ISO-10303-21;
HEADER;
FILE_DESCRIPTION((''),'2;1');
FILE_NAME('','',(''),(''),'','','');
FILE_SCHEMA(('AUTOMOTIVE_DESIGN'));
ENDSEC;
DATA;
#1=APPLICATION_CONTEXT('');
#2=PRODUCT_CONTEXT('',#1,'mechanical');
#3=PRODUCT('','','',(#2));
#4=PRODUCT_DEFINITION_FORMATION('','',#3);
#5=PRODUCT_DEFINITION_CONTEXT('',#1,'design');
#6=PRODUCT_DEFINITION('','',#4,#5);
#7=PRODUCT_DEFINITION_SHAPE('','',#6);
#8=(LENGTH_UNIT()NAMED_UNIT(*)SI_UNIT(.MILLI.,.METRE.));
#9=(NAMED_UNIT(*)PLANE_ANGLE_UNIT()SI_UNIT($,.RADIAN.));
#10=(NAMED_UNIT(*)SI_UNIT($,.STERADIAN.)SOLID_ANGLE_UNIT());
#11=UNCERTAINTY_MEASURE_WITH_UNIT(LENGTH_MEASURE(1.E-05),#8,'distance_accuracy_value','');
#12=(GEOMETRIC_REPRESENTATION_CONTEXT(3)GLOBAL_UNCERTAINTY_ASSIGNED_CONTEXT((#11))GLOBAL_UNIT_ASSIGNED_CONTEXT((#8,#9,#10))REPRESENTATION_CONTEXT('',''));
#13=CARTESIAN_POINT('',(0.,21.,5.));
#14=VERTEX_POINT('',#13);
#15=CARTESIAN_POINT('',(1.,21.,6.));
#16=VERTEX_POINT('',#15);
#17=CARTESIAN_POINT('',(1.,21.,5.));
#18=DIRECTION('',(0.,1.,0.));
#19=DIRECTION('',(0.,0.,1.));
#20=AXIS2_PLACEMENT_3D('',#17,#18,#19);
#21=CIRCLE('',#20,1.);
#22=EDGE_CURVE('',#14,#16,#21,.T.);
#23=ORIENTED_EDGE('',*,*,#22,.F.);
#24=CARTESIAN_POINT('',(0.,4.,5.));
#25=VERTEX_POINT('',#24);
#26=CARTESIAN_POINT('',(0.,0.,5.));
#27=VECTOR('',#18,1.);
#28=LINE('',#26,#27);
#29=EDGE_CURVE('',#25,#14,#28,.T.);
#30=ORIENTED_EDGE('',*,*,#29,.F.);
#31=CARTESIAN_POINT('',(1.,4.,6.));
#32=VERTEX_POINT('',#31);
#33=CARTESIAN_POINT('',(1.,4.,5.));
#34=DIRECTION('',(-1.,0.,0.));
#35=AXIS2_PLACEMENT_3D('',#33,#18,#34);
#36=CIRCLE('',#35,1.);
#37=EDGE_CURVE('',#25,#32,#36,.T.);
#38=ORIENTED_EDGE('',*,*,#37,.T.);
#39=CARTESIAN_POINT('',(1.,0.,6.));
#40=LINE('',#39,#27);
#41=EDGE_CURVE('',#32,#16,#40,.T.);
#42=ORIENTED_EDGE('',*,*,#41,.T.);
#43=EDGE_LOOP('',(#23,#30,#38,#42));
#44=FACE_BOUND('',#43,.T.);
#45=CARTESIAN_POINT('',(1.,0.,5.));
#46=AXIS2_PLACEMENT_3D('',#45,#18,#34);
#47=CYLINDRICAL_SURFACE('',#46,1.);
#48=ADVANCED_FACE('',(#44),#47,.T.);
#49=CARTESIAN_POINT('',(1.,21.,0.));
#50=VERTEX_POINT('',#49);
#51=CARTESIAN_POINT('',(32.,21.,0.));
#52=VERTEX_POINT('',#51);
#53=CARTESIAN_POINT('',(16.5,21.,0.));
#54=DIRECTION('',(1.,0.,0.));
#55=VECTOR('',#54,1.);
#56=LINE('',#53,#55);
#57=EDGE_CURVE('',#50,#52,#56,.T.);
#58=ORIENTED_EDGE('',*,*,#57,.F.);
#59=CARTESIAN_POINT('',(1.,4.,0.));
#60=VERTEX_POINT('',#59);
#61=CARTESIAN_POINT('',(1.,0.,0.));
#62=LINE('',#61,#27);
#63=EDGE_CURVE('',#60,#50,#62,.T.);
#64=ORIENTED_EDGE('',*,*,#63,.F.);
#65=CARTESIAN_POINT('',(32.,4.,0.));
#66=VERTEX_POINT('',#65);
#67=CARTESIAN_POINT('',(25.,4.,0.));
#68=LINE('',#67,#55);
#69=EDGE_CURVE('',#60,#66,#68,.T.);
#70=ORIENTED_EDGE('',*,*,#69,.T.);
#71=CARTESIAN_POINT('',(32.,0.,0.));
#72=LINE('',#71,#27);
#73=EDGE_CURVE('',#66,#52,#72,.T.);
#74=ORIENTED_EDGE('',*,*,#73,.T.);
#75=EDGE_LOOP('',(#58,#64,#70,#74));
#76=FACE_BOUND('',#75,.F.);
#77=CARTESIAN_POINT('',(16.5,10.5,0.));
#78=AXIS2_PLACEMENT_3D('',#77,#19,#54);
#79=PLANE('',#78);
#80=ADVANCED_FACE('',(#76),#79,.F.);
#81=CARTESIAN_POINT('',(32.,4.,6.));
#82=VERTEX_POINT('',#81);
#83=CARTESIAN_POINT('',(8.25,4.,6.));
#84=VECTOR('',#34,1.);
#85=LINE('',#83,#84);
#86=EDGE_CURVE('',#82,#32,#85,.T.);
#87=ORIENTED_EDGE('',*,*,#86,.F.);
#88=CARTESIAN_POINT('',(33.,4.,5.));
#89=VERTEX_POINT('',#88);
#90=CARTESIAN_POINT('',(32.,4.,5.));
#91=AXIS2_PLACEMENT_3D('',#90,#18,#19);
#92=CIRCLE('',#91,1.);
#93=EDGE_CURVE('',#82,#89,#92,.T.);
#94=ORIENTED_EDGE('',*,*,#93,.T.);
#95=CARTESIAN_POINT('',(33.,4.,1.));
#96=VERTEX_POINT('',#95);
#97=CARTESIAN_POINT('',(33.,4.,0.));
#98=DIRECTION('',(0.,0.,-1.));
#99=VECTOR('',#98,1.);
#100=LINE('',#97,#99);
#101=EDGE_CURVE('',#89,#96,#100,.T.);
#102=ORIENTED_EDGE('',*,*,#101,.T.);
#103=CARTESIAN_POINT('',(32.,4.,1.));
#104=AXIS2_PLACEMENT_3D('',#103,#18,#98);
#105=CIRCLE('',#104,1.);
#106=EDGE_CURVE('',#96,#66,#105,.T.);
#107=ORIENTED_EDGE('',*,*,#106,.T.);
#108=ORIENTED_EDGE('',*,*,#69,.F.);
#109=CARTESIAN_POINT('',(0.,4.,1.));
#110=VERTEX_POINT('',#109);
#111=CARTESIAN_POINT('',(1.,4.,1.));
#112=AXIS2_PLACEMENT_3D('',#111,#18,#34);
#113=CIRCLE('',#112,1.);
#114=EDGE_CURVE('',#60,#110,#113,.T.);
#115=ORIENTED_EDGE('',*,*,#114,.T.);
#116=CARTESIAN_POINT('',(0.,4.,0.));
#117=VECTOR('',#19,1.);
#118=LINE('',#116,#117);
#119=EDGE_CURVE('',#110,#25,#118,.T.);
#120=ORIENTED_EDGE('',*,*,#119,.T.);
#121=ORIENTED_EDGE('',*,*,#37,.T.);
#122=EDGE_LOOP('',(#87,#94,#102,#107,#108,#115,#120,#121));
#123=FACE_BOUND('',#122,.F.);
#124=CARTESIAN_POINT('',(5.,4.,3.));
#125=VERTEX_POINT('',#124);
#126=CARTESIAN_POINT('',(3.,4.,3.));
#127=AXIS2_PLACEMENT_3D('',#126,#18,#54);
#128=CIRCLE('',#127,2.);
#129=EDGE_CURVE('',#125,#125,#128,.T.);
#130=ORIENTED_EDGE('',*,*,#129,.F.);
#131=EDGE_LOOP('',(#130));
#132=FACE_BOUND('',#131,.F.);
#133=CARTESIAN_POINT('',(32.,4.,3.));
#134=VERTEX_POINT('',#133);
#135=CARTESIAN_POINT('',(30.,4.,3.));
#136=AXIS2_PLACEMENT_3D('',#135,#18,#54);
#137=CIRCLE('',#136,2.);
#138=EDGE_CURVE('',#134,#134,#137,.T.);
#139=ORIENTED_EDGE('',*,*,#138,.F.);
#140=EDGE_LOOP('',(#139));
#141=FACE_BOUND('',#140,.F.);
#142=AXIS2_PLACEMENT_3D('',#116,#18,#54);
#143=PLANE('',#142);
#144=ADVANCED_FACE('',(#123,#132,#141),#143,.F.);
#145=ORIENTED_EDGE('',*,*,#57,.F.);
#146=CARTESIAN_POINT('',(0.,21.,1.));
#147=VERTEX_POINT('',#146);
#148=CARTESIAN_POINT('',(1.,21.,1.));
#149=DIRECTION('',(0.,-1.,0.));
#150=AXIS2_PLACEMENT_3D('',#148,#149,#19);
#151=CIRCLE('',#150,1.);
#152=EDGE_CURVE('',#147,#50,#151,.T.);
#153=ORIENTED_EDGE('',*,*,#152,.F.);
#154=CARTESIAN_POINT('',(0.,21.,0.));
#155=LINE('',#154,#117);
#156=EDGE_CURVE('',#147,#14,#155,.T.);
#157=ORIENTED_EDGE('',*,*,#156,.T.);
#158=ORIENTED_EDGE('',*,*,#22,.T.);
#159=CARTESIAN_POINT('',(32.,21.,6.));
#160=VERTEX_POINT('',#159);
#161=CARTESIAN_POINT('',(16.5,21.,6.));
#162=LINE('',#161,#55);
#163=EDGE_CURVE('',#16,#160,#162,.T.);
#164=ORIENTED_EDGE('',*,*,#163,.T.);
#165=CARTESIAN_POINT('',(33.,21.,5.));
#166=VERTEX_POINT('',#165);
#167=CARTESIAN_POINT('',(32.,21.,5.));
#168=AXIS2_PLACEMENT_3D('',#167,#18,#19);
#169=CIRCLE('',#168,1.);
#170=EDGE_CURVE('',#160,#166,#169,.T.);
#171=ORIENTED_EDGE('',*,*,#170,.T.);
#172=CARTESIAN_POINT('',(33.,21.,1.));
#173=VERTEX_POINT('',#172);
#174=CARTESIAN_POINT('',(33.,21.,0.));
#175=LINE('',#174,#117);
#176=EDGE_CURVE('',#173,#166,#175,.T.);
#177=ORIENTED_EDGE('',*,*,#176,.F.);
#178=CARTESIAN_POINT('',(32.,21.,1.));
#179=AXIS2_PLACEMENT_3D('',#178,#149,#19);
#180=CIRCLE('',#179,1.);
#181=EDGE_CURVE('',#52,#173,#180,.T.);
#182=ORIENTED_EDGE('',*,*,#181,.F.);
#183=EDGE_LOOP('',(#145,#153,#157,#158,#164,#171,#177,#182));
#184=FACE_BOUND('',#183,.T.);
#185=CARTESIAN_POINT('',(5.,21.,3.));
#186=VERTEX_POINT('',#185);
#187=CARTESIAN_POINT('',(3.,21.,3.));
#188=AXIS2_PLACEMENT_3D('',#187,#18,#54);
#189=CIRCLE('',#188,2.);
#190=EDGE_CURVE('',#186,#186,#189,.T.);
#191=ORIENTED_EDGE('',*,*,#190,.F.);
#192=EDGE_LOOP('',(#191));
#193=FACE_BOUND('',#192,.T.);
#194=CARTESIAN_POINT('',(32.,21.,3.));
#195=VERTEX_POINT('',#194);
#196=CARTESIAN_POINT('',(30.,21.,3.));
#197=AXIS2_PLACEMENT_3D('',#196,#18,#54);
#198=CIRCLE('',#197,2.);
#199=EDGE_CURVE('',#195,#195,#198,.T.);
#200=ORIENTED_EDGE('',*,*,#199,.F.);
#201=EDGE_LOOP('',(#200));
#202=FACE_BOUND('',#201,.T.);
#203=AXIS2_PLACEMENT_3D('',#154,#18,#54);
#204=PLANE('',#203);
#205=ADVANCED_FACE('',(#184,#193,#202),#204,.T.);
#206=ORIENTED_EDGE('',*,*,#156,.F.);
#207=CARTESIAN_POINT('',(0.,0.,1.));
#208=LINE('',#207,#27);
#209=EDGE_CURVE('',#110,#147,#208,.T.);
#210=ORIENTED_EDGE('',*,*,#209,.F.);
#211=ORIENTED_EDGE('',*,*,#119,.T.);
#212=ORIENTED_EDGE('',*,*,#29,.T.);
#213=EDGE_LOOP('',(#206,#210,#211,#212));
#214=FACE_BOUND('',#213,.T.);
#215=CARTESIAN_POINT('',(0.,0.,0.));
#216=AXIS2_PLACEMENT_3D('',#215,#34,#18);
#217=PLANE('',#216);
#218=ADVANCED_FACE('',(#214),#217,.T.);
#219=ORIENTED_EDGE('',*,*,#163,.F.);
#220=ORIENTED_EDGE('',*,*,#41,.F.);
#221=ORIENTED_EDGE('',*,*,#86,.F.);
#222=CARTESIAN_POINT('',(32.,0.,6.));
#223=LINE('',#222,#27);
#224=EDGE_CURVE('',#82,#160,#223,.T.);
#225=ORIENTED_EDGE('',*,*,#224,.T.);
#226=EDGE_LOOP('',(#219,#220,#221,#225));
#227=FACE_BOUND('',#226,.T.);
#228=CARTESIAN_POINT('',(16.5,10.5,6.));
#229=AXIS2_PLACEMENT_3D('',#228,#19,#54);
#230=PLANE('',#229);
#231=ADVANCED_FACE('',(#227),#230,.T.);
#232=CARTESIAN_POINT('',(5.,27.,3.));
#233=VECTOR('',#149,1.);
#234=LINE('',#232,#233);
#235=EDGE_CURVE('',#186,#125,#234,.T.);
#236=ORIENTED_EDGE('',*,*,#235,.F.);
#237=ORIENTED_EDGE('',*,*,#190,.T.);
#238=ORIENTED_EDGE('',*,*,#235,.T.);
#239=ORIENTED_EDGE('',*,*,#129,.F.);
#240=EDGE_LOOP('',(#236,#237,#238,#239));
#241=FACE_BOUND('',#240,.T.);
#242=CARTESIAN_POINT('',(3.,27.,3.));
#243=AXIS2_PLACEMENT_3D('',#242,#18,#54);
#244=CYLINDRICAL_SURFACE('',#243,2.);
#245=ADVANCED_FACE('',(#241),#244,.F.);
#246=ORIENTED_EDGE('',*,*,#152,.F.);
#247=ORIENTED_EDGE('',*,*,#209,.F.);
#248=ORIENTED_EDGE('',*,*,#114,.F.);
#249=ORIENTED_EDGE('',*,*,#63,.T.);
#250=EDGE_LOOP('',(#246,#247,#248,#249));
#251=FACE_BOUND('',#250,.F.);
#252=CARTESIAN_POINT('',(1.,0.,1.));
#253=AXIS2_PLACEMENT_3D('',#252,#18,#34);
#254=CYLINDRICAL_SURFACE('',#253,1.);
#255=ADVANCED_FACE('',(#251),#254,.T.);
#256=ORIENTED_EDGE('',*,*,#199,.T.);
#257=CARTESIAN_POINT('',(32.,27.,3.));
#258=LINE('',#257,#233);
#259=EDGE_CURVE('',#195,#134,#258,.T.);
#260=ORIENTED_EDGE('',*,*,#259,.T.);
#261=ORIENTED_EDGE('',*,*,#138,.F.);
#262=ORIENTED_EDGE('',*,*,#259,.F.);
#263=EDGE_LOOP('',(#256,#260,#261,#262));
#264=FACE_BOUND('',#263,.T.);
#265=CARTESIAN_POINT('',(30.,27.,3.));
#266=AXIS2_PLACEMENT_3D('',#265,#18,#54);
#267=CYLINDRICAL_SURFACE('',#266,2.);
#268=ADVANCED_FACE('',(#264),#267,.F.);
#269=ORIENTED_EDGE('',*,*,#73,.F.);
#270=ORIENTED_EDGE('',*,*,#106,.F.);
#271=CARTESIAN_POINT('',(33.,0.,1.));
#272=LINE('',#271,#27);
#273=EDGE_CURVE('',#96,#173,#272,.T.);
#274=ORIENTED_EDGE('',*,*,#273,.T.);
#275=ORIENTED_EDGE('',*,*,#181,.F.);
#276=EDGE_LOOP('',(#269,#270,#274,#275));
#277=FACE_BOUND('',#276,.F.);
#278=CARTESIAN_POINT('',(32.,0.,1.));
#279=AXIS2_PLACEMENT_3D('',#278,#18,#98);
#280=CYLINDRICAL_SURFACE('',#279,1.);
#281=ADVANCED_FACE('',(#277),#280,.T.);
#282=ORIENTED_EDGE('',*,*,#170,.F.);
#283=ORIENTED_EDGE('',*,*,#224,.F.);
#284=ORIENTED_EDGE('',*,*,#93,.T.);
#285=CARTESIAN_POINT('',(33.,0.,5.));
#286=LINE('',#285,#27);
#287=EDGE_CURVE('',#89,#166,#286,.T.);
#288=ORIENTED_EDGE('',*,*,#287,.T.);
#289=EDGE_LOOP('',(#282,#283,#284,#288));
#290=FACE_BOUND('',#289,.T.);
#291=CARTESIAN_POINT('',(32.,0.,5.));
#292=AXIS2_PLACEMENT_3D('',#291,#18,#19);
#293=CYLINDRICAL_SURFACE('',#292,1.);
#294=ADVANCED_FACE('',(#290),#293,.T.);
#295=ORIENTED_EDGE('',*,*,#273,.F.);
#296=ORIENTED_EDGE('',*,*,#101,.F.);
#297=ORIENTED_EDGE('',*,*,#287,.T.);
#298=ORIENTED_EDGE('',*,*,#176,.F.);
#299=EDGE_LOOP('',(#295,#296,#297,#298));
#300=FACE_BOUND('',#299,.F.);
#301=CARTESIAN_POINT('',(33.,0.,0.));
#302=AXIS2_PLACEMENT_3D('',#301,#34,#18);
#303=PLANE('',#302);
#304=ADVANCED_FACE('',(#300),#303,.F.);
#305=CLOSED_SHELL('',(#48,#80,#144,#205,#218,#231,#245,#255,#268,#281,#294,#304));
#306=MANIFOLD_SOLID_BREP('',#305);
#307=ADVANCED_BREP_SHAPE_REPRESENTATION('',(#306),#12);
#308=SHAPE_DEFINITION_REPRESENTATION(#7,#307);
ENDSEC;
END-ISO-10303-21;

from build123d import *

# Parameters (mm, degrees)
BOX001_W               = 50
BOX001_H               = 4
BOX001_DEPTH           = 10
CYLINDER002_R          = 2
CYLINDER002_DEPTH      = 30
CYLINDER002_ROLL_ANGLE = 90
CYLINDER001_R          = 2
CYLINDER001_DEPTH      = 30
CYLINDER001_ROLL_ANGLE = 90
CYLINDER_R             = 2
CYLINDER_DEPTH         = 30
CYLINDER_ROLL_ANGLE    = 90
BOX_W                  = 33
BOX_H                  = 21
BOX_DEPTH              = 6
FILLET_R               = 1


with BuildPart() as cube001:
    # Box001 → Box001 (new body)
    with BuildSketch(Plane.XY):
        with Locations((25, 2)):
            Rectangle(BOX001_W, BOX001_H)
    extrude(amount=BOX001_DEPTH)


with BuildPart() as cylinder002:
    # Cylinder002 → Cylinder002 (new body)
    with BuildSketch(Plane.XY):
        Circle(CYLINDER002_R)
    extrude(amount=CYLINDER002_DEPTH)


with BuildPart() as cylinder002_1:
    # Cylinder002 roll: moved
    add(cylinder002.part.rotate(Axis((0, 0, 0), (1, 0, 0)), CYLINDER002_ROLL_ANGLE))


with BuildPart() as cylinder002_2:
    # Cylinder002 placement: moved
    add(cylinder002_1.part.moved(Location((30, 27, 3))))


with BuildPart() as cylinder001:
    # Cylinder001 → Cylinder001 (new body)
    with BuildSketch(Plane.XY):
        Circle(CYLINDER001_R)
    extrude(amount=CYLINDER001_DEPTH)


with BuildPart() as cylinder001_1:
    # Cylinder001 roll: moved
    add(cylinder001.part.rotate(Axis((0, 0, 0), (1, 0, 0)), CYLINDER001_ROLL_ANGLE))


with BuildPart() as cylinder001_2:
    # Cylinder001 placement: moved
    add(cylinder001_1.part.moved(Location((3, 27, 3))))


with BuildPart() as cylinder:
    # Cylinder → Cylinder (new body)
    with BuildSketch(Plane.XY):
        Circle(CYLINDER_R)
    extrude(amount=CYLINDER_DEPTH)


with BuildPart() as cylinder_1:
    # Cylinder roll: moved
    add(cylinder.part.rotate(Axis((0, 0, 0), (1, 0, 0)), CYLINDER_ROLL_ANGLE))


with BuildPart() as cylinder_2:
    # Cylinder placement: moved
    add(cylinder_1.part.moved(Location((3, 27, 3))))


with BuildPart() as cut003:
    # Box → Box (new body)
    with BuildSketch(Plane.XY):
        with Locations((16.5, 10.5)):
            Rectangle(BOX_W, BOX_H)
    extrude(amount=BOX_DEPTH)

    # Cut: cut Cylinder
    add(cylinder_2.part, mode=Mode.SUBTRACT)

    # Cut001: cut Cylinder001
    add(cylinder001_2.part, mode=Mode.SUBTRACT)

    # Cut002: cut Cylinder002
    add(cylinder002_2.part, mode=Mode.SUBTRACT)

    # Fillet
    fillet_edges = [cut003.edges().sort_by_distance(p)[0] for p in [
        (0, 10.5, 6),
        (0, 10.5, 0),
        (33, 10.5, 6),
        (33, 10.5, 0),
    ]]
    fillet(fillet_edges, radius=FILLET_R)

    # Cut003: cut Cube001
    add(cube001.part, mode=Mode.SUBTRACT)


solid = cut003.part
